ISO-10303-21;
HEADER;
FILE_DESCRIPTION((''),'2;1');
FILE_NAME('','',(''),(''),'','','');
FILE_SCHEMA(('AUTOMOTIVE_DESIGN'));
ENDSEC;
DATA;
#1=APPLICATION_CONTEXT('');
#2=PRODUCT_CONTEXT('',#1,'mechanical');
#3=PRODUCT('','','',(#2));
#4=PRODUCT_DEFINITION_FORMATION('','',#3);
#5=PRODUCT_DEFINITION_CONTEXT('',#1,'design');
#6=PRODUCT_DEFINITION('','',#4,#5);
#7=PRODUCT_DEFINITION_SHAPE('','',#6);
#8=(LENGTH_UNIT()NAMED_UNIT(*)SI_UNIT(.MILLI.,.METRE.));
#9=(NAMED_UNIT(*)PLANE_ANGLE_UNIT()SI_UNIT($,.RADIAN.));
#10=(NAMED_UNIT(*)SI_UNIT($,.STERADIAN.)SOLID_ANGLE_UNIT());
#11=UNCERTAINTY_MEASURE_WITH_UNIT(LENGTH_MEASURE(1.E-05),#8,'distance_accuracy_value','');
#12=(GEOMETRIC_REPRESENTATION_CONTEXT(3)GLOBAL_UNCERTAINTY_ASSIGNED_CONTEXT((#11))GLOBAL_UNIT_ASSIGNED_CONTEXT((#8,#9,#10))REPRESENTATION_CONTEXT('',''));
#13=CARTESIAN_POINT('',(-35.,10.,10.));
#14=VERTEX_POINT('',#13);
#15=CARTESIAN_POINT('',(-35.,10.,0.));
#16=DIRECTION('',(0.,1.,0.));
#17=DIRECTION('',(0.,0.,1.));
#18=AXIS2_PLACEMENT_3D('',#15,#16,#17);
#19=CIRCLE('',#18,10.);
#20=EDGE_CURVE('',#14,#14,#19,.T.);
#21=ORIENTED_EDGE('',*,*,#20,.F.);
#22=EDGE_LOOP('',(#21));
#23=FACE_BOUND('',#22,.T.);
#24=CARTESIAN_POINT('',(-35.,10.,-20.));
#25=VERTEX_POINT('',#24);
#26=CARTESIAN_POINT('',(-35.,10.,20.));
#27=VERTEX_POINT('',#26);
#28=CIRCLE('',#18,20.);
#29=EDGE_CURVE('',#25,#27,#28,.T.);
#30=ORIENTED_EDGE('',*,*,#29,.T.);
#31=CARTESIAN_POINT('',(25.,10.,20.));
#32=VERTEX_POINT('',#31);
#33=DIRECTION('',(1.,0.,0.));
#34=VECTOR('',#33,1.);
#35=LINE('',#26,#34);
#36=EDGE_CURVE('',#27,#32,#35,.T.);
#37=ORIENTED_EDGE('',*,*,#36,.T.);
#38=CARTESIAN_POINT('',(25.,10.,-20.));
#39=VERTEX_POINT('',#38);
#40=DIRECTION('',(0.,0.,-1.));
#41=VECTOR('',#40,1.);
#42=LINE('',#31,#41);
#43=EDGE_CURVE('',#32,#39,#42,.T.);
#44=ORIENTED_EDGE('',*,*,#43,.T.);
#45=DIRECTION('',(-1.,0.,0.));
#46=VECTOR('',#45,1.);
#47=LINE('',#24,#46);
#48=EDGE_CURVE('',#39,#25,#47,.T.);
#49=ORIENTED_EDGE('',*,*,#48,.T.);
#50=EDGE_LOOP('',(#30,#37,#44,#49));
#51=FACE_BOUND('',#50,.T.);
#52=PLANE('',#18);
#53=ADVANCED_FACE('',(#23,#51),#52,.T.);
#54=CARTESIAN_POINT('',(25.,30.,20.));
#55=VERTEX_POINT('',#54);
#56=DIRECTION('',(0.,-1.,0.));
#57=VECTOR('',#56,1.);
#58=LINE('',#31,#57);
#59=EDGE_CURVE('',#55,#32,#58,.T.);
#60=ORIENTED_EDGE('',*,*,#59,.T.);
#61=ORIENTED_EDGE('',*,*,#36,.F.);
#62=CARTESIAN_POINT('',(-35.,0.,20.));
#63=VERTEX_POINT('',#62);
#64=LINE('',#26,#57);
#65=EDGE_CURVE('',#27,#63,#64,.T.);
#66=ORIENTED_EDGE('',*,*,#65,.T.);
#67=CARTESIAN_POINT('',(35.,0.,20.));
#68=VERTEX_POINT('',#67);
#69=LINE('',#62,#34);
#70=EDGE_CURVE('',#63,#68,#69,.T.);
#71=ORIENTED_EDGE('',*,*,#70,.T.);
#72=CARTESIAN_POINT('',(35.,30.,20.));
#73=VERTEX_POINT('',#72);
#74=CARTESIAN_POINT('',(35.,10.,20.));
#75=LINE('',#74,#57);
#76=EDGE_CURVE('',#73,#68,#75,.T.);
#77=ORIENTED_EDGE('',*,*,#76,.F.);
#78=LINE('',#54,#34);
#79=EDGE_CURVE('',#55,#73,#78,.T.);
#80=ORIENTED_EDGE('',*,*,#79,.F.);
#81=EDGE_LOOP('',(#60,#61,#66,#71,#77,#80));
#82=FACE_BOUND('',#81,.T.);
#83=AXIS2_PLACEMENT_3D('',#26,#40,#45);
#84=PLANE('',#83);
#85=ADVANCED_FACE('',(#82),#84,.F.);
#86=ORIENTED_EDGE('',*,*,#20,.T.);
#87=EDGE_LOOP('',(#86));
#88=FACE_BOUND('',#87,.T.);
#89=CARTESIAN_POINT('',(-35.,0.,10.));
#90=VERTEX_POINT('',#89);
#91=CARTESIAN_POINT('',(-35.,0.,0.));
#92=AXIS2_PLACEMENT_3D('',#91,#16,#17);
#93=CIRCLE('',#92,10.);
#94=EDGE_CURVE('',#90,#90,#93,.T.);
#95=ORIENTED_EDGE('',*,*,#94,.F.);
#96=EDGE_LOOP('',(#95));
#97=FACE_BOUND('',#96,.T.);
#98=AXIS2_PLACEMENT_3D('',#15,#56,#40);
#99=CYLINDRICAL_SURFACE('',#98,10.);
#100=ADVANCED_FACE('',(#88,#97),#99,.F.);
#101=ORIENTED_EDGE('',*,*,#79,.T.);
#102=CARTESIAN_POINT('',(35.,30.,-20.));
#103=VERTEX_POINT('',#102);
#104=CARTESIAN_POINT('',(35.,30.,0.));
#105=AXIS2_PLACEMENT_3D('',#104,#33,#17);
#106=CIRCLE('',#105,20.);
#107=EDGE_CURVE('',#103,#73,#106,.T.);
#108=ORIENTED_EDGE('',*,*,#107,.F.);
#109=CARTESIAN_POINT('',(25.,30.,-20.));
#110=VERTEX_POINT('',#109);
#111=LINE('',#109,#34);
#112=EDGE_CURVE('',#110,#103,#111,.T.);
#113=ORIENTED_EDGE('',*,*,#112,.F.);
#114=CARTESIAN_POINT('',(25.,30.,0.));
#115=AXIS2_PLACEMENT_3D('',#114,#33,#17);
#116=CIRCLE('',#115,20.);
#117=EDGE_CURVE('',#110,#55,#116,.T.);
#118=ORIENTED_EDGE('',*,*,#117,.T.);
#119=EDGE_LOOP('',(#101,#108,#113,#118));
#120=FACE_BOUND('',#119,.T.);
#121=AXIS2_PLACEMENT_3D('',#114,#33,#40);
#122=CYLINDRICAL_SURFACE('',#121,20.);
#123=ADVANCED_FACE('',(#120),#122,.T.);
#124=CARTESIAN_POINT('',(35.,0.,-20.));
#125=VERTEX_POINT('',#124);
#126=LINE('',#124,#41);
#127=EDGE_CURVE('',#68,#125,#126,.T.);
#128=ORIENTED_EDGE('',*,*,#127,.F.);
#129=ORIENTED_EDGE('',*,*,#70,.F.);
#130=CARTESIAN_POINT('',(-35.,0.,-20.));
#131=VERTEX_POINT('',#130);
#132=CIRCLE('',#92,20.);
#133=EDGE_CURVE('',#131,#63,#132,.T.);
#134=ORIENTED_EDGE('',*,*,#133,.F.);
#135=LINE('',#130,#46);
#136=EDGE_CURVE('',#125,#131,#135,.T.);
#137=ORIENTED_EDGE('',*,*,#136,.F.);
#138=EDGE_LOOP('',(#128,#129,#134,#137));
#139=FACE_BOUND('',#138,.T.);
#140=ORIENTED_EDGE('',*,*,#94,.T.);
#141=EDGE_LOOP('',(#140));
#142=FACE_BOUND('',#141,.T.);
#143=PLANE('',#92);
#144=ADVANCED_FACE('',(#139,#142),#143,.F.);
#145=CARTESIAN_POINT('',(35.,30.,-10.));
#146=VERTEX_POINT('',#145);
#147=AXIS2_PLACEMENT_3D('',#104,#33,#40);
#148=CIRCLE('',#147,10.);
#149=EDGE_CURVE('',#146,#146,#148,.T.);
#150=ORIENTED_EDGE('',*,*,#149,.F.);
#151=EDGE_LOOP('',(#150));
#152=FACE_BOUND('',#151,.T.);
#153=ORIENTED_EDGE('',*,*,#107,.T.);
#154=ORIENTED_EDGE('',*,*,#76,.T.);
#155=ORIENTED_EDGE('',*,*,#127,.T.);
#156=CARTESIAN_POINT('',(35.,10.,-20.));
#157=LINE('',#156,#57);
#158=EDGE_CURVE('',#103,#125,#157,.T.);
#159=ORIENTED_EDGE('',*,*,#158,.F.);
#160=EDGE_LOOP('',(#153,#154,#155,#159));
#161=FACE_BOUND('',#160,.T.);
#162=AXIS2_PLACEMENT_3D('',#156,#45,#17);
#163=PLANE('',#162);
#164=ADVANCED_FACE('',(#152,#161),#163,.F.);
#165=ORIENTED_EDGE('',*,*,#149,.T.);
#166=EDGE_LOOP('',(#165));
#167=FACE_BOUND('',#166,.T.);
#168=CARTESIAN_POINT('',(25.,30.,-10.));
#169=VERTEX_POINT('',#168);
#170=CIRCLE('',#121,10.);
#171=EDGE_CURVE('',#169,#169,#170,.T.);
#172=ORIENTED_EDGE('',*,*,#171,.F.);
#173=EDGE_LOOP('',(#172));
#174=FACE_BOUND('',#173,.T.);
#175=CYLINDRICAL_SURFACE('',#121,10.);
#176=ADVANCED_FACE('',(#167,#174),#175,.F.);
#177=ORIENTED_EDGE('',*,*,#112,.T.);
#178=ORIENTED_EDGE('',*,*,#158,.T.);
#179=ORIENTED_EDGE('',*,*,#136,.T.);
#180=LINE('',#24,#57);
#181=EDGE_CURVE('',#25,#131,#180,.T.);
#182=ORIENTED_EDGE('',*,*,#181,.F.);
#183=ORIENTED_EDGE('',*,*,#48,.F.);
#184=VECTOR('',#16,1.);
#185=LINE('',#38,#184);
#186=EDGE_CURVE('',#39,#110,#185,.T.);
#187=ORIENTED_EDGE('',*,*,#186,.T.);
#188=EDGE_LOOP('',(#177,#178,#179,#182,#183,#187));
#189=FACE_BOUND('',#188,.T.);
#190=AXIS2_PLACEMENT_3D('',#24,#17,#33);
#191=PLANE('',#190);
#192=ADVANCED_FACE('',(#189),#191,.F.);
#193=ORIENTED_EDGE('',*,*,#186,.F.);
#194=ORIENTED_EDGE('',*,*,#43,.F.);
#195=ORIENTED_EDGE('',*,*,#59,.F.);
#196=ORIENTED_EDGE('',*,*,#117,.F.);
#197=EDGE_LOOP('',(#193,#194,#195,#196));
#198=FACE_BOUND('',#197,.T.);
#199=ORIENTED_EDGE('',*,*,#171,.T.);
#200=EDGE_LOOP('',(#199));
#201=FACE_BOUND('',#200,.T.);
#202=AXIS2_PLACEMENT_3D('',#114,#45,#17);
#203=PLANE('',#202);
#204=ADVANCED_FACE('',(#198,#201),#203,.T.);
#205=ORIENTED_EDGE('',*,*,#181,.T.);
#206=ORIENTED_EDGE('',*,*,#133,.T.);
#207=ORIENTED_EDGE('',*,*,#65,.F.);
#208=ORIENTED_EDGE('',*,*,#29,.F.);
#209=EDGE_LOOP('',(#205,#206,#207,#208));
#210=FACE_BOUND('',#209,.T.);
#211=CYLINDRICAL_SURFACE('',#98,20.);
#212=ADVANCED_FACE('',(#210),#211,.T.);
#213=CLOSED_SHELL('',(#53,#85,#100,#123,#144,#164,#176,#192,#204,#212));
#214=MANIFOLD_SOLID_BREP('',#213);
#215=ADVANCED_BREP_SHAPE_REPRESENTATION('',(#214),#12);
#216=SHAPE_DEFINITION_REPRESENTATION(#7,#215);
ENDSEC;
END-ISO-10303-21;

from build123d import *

# Parameters (mm, degrees)
SKETCH1_R           = 10
BOSS_EXTRUDE1_DEPTH = 10
SKETCH3_R           = 10
BOSS_EXTRUDE2_DEPTH = 10


with BuildPart() as part:
    # Sketch1 → Boss-Extrude1 (new body)
    with BuildSketch(Plane(origin=(0, 0, 0), x_dir=(1, 0, 0), z_dir=(0, 1, 0))):
        with BuildLine():
            Line((-35, 20), (35, 20))
            Line((35, 20), (35, -20))
            Line((35, -20), (-35, -20))
            ThreePointArc((-35, -20), (-55, 0), (-35, 20))
        make_face()
        with Locations(Location((-35, 0, 0), (0, 0, 270))):
            Circle(SKETCH1_R, mode=Mode.SUBTRACT)
    extrude(amount=BOSS_EXTRUDE1_DEPTH)

    # Sketch3 → Boss-Extrude2 (add)
    with BuildSketch(Plane(origin=(35, 0, 0), x_dir=(0, 0, -1), z_dir=(1, 0, 0))):
        with BuildLine():
            Line((-20, 10), (20, 10))
            Line((20, 10), (20, 30))
            ThreePointArc((20, 30), (0, 50), (-20, 30))
            Line((-20, 30), (-20, 10))
        make_face()
        with Locations((0, 30)):
            Circle(SKETCH3_R, mode=Mode.SUBTRACT)
    extrude(amount=-BOSS_EXTRUDE2_DEPTH)


solid = part.part
